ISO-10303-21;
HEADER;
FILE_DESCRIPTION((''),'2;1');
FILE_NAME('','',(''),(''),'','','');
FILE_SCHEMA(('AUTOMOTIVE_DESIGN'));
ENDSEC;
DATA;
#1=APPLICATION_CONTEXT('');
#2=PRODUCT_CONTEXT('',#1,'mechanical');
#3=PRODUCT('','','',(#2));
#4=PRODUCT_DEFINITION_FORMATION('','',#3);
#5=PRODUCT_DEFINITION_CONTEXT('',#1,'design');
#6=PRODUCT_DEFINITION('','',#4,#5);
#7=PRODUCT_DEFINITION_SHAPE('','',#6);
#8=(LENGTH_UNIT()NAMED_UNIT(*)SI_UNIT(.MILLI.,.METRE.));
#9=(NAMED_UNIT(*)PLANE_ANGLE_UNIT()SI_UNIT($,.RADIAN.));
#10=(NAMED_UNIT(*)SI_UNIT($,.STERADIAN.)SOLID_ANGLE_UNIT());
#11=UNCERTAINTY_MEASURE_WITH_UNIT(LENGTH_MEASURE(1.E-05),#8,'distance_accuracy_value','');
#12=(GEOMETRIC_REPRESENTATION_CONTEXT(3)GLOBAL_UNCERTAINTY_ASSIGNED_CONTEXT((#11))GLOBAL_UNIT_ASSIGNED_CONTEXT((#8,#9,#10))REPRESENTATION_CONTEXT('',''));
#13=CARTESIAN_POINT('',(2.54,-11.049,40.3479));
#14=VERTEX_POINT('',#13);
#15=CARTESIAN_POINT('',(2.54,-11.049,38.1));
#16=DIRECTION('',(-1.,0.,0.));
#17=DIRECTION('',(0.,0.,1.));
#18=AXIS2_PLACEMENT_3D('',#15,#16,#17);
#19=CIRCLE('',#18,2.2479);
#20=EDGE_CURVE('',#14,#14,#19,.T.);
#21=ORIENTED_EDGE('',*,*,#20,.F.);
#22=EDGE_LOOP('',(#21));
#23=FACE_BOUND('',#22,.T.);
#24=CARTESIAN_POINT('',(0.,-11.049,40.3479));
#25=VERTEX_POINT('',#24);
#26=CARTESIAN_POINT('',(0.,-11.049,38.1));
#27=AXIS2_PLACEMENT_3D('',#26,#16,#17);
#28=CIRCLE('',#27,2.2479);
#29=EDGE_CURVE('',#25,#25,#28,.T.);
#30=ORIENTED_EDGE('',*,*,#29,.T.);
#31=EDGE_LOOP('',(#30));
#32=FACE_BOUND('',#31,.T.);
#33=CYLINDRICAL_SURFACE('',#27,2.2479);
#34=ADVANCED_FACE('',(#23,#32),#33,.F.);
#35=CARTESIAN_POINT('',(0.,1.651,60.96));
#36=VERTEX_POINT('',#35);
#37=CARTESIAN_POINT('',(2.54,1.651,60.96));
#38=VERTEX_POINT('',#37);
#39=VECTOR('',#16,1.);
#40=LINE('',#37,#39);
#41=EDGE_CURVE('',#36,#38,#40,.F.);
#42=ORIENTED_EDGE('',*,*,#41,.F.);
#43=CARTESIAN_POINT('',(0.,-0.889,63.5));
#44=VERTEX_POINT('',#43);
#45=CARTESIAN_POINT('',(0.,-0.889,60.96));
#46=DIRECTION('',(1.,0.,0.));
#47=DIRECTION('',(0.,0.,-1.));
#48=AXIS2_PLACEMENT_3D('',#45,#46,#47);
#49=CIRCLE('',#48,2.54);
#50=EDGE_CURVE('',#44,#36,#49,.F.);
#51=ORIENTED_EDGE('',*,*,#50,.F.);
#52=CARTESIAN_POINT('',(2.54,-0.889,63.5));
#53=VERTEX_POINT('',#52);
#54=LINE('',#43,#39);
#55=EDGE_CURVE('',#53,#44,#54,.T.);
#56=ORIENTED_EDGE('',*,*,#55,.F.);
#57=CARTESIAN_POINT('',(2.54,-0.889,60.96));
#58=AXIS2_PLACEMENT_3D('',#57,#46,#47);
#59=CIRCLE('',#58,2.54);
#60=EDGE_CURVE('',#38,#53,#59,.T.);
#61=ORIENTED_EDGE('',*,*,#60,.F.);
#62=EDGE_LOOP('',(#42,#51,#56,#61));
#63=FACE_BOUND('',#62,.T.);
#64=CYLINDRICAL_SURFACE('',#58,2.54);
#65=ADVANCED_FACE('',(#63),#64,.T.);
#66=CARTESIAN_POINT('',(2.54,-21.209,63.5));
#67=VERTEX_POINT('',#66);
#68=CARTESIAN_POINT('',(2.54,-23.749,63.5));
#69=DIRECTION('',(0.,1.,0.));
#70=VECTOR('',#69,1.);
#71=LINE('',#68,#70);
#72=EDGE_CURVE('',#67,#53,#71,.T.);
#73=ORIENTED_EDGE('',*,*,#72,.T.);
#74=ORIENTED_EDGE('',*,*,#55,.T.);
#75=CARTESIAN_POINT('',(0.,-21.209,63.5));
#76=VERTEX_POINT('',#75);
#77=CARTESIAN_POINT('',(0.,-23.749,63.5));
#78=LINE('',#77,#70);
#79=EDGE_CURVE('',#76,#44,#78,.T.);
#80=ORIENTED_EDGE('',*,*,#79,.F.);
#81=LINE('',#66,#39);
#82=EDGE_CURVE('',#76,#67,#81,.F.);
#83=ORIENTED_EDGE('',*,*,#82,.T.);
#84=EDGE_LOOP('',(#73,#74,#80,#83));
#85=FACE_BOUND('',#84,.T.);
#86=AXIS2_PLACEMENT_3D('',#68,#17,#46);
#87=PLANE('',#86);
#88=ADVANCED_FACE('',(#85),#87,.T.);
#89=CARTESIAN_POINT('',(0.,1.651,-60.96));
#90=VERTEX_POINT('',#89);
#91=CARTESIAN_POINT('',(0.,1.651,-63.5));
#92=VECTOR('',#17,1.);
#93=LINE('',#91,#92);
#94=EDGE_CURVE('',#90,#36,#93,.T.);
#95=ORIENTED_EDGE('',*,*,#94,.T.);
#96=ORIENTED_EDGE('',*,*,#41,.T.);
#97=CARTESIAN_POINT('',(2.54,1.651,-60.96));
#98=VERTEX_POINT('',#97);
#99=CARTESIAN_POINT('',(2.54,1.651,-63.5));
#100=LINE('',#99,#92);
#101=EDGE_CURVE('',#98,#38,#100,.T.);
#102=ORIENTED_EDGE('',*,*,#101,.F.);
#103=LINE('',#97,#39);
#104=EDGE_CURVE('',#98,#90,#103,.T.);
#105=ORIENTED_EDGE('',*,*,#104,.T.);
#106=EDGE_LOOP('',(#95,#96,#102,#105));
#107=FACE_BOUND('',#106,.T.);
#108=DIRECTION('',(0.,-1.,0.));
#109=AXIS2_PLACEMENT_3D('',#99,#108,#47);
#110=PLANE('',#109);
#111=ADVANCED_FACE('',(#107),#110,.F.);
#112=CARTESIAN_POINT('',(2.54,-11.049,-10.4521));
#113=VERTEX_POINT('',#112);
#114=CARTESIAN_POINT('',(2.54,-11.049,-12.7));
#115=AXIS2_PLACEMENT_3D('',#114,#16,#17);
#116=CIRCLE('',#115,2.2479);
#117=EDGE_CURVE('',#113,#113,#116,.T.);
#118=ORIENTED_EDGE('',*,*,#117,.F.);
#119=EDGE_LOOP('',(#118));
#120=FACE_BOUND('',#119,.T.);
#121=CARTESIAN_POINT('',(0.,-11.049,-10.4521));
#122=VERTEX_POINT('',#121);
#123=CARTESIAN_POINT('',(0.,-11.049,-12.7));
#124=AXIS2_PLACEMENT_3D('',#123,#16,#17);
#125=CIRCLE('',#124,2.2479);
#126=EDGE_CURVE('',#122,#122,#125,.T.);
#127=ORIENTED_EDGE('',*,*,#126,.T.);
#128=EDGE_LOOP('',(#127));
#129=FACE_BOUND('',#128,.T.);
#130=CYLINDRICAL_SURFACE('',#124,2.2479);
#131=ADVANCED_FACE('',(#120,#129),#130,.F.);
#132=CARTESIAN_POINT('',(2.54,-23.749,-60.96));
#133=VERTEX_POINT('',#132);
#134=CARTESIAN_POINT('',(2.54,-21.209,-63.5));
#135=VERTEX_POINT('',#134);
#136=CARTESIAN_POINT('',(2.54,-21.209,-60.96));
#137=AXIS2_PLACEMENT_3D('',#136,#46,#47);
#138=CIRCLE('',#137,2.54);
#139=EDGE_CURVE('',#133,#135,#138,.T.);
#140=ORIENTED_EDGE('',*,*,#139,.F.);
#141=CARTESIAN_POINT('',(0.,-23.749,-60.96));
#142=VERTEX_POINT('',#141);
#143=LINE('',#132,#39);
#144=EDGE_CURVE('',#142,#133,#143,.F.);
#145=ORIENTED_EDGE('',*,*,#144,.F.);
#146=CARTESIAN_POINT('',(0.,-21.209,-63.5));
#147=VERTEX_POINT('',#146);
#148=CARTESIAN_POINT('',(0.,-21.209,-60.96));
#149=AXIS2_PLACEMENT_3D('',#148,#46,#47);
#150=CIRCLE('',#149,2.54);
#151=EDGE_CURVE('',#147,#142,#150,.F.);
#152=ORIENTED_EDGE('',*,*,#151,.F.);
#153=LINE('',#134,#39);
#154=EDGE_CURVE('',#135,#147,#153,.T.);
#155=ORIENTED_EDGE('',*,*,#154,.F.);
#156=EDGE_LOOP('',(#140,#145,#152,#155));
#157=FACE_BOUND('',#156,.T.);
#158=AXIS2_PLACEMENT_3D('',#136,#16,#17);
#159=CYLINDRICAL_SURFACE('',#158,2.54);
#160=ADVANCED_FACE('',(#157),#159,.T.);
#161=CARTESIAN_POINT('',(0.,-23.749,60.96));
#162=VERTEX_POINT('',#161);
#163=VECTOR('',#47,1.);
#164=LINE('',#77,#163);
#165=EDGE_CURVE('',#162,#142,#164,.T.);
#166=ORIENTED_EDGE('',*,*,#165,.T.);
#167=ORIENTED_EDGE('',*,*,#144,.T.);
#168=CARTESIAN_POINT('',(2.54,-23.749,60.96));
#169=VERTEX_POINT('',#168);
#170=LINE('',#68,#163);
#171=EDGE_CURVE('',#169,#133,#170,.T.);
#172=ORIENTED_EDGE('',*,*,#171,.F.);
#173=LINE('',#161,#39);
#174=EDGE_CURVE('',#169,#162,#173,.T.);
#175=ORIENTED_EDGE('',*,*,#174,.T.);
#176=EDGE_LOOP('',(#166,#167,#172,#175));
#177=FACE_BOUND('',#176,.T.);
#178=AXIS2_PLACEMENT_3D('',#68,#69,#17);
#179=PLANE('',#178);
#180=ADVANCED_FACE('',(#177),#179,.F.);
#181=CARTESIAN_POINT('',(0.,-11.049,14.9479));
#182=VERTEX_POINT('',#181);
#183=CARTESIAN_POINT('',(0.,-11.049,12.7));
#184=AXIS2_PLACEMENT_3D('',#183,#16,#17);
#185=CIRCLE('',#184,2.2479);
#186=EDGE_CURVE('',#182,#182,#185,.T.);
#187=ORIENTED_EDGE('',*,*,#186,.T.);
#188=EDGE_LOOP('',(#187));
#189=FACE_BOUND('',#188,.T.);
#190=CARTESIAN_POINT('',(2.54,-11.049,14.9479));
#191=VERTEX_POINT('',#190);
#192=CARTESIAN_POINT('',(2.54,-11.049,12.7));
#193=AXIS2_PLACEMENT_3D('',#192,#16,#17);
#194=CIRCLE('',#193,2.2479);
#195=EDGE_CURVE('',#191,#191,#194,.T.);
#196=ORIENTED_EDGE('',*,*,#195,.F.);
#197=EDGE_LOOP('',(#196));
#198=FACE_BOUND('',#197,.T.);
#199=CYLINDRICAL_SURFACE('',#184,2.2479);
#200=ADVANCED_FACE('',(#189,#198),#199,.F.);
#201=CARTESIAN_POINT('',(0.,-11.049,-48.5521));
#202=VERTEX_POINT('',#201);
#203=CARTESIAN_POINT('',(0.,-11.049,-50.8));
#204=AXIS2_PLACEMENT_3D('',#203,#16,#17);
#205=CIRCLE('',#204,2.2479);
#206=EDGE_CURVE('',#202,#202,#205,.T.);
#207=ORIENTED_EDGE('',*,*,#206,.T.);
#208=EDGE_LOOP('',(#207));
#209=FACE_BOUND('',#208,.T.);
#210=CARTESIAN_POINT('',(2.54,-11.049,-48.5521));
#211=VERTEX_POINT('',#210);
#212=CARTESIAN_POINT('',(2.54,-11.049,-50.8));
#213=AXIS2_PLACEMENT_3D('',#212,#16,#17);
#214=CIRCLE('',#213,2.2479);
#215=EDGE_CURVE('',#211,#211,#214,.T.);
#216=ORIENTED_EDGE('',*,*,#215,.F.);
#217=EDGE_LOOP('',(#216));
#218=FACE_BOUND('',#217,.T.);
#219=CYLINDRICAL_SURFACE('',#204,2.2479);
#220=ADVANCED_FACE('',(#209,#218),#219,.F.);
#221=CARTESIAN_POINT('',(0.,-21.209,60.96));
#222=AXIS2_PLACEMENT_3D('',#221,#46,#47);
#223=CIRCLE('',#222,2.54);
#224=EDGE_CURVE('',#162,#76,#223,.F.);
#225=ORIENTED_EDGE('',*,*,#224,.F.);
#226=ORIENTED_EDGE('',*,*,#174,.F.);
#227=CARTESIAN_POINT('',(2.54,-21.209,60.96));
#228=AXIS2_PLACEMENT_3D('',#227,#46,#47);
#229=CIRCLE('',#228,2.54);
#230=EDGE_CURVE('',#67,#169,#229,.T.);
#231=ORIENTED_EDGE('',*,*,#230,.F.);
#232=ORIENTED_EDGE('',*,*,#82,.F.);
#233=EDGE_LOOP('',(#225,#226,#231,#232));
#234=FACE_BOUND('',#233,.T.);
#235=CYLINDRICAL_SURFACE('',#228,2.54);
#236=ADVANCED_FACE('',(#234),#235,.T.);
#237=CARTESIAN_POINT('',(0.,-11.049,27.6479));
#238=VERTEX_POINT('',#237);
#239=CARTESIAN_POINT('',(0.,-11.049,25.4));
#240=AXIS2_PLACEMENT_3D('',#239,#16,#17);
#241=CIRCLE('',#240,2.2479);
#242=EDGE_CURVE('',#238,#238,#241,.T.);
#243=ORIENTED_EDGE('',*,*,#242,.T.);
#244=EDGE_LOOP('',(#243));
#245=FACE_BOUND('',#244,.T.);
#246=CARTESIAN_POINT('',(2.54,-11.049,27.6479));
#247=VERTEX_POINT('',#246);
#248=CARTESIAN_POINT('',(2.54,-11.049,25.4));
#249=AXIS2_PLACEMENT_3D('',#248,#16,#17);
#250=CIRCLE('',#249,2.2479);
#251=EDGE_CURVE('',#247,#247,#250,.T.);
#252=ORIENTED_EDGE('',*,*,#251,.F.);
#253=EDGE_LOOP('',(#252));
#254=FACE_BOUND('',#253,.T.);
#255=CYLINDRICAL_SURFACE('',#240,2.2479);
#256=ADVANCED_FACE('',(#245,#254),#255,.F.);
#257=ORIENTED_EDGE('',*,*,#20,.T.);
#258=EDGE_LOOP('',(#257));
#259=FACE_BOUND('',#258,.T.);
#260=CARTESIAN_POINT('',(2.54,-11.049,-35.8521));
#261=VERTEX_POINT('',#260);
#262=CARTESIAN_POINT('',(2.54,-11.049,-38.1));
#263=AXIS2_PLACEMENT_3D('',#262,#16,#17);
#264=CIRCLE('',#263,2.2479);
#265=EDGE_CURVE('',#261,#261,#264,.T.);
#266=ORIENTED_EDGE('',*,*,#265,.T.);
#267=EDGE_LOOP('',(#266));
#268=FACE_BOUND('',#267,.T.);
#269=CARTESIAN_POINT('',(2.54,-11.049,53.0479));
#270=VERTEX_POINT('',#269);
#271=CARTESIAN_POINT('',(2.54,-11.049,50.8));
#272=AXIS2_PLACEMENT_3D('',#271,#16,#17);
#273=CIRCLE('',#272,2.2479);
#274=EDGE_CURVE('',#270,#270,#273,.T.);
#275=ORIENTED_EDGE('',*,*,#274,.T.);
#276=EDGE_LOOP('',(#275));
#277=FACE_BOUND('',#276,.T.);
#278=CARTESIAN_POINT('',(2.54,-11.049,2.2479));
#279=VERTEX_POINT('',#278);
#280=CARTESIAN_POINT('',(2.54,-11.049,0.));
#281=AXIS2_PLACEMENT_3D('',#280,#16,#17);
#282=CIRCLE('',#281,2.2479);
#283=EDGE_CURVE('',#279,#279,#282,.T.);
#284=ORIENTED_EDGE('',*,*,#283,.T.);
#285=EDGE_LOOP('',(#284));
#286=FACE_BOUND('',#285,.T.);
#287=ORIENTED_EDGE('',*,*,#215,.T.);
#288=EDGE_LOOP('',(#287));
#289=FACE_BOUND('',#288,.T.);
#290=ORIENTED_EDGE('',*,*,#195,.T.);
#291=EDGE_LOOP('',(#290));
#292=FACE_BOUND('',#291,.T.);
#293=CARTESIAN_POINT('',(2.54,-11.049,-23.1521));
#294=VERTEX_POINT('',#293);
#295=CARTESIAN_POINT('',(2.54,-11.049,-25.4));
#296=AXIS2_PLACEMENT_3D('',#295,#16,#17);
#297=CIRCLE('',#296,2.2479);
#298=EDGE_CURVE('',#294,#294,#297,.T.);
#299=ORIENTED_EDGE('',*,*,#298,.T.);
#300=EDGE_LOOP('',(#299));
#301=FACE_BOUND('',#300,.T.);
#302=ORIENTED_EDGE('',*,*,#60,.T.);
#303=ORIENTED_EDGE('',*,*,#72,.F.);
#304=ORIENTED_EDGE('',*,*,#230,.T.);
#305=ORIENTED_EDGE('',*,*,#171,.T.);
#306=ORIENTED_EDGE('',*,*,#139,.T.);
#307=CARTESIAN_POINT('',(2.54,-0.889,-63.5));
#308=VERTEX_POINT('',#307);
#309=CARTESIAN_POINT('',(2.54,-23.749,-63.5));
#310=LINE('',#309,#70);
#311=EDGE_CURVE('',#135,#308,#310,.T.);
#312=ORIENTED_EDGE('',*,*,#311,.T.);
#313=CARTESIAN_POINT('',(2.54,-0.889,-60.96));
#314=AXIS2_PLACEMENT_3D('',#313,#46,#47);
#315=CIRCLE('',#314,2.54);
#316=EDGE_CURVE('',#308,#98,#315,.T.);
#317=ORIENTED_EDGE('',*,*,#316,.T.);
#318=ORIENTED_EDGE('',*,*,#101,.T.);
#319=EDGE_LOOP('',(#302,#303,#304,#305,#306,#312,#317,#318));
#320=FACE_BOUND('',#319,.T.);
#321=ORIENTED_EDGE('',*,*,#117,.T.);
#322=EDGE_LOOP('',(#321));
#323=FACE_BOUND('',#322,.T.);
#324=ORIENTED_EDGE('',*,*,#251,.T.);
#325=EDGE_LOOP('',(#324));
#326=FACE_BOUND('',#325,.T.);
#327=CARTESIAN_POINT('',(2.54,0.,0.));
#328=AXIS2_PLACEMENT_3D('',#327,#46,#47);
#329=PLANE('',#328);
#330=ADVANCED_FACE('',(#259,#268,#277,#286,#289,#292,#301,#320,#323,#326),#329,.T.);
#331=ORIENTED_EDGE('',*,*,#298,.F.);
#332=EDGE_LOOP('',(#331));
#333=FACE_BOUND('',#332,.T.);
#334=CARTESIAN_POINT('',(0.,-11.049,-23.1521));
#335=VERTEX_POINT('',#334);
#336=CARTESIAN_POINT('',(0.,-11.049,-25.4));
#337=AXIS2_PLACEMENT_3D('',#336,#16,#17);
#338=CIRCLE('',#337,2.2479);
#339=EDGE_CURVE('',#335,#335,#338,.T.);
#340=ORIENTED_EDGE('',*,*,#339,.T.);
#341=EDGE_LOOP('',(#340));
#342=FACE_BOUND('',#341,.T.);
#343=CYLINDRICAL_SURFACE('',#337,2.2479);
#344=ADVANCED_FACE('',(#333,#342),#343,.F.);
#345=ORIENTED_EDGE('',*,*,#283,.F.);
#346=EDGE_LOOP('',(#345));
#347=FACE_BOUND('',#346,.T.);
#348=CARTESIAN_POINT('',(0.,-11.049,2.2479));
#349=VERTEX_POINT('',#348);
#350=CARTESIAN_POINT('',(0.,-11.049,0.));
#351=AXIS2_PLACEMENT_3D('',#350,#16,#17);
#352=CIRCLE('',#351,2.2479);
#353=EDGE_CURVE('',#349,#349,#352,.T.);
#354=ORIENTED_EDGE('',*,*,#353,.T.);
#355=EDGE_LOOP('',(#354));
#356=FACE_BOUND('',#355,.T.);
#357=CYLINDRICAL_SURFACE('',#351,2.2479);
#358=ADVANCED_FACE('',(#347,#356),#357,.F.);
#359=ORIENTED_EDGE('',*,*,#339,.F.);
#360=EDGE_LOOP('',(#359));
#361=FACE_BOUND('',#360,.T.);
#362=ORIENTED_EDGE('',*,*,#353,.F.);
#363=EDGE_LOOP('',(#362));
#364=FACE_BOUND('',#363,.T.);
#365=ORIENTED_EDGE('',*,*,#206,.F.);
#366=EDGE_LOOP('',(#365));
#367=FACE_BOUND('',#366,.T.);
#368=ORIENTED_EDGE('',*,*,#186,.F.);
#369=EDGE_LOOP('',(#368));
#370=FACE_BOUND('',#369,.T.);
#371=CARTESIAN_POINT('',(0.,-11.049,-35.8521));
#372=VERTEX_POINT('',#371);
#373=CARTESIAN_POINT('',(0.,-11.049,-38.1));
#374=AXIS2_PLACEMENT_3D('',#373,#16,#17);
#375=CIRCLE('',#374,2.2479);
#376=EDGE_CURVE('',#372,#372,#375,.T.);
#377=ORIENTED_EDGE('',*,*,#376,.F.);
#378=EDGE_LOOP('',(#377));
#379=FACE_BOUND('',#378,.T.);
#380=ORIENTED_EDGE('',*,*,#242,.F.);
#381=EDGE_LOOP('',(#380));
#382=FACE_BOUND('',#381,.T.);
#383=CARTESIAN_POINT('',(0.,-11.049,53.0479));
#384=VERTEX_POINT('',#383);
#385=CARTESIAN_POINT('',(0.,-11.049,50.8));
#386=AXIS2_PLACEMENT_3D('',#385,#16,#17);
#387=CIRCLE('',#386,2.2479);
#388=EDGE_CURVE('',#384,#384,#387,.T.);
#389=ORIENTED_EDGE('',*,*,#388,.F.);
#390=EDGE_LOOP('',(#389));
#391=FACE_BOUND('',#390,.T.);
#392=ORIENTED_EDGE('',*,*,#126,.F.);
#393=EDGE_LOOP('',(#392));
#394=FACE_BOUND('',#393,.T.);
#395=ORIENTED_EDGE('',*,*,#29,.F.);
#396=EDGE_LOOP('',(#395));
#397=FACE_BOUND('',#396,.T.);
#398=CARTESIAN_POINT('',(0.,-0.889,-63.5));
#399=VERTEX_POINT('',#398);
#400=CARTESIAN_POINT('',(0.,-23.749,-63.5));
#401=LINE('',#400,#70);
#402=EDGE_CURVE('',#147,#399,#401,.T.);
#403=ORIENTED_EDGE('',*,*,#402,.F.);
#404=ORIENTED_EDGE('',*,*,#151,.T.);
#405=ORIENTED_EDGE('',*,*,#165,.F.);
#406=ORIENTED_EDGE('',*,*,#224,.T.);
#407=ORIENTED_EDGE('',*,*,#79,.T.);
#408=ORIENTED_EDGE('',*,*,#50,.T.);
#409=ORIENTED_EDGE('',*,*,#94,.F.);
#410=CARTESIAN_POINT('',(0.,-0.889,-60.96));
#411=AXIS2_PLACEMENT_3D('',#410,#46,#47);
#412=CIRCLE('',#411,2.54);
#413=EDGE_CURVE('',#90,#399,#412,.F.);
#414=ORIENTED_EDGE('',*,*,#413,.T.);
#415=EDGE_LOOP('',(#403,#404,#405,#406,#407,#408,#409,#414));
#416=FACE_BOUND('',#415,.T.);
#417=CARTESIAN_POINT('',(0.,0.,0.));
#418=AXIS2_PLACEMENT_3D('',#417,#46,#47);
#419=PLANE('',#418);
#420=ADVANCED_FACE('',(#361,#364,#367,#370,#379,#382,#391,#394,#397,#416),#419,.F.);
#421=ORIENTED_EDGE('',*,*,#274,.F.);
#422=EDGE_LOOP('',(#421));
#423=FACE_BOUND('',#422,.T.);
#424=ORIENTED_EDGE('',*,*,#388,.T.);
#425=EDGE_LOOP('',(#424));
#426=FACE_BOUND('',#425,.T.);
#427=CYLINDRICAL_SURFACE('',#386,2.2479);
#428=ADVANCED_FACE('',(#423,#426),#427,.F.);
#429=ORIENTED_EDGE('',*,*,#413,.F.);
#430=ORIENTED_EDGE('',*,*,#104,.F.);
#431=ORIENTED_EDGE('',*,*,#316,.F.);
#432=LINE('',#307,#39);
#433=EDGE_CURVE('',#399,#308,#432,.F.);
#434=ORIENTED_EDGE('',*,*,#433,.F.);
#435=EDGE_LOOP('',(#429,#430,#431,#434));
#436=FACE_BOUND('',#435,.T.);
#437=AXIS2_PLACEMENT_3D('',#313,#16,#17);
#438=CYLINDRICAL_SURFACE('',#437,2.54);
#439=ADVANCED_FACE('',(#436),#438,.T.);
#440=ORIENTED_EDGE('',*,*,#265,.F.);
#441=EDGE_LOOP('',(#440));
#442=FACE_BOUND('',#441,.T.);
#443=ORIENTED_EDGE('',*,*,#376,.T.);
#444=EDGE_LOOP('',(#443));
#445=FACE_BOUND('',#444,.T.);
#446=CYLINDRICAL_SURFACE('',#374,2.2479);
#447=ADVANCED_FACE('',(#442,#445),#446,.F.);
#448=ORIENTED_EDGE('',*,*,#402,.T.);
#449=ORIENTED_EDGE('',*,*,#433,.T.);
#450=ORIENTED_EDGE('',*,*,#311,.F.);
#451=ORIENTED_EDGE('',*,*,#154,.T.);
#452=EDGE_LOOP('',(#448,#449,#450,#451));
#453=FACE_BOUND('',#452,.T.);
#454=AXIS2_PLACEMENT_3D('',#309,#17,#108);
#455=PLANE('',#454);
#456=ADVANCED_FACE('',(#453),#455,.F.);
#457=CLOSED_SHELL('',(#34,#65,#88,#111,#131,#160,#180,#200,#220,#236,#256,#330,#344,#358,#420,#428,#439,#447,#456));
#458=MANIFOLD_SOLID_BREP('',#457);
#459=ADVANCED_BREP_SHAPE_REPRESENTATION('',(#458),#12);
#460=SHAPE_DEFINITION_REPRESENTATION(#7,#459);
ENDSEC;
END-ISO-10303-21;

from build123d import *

# Parameters (mm, degrees)
SKETCH1_W             = 127
SKETCH1_H             = 25.4
BOSS_EXTRUDE1_DEPTH   = 2.54
F_8_CLEARANCE_HOLE1_D = 4.4958
FILLET1_R             = 2.54


with BuildPart() as part:
    # Sketch1 → Boss-Extrude1 (new body)
    with BuildSketch(Plane(origin=(0, 0, 0), x_dir=(0, 0, -1), z_dir=(1, 0, 0))):
        with Locations((0, -11.049)):
            Rectangle(SKETCH1_W, SKETCH1_H)
    extrude(amount=BOSS_EXTRUDE1_DEPTH)

    # #8 Clearance Hole1 (through all)
    with Locations(Plane.ZY):
        with Locations((-50.8, -11.049), (-25.4, -11.049), (-38.1, -11.049), (0, -11.049), (25.4, -11.049), (50.8, -11.049), (-12.7, -11.049), (12.7, -11.049), (38.1, -11.049)):
            Hole(F_8_CLEARANCE_HOLE1_D / 2)

    # Fillet1
    fillet1_edges = [part.edges().sort_by_distance(p)[0] for p in [
        (1.27, -23.749, 63.5),
        (1.27, 1.651, 63.5),
        (1.27, 1.651, -63.5),
        (1.27, -23.749, -63.5),
    ]]
    fillet(fillet1_edges, radius=FILLET1_R)


solid = part.part
